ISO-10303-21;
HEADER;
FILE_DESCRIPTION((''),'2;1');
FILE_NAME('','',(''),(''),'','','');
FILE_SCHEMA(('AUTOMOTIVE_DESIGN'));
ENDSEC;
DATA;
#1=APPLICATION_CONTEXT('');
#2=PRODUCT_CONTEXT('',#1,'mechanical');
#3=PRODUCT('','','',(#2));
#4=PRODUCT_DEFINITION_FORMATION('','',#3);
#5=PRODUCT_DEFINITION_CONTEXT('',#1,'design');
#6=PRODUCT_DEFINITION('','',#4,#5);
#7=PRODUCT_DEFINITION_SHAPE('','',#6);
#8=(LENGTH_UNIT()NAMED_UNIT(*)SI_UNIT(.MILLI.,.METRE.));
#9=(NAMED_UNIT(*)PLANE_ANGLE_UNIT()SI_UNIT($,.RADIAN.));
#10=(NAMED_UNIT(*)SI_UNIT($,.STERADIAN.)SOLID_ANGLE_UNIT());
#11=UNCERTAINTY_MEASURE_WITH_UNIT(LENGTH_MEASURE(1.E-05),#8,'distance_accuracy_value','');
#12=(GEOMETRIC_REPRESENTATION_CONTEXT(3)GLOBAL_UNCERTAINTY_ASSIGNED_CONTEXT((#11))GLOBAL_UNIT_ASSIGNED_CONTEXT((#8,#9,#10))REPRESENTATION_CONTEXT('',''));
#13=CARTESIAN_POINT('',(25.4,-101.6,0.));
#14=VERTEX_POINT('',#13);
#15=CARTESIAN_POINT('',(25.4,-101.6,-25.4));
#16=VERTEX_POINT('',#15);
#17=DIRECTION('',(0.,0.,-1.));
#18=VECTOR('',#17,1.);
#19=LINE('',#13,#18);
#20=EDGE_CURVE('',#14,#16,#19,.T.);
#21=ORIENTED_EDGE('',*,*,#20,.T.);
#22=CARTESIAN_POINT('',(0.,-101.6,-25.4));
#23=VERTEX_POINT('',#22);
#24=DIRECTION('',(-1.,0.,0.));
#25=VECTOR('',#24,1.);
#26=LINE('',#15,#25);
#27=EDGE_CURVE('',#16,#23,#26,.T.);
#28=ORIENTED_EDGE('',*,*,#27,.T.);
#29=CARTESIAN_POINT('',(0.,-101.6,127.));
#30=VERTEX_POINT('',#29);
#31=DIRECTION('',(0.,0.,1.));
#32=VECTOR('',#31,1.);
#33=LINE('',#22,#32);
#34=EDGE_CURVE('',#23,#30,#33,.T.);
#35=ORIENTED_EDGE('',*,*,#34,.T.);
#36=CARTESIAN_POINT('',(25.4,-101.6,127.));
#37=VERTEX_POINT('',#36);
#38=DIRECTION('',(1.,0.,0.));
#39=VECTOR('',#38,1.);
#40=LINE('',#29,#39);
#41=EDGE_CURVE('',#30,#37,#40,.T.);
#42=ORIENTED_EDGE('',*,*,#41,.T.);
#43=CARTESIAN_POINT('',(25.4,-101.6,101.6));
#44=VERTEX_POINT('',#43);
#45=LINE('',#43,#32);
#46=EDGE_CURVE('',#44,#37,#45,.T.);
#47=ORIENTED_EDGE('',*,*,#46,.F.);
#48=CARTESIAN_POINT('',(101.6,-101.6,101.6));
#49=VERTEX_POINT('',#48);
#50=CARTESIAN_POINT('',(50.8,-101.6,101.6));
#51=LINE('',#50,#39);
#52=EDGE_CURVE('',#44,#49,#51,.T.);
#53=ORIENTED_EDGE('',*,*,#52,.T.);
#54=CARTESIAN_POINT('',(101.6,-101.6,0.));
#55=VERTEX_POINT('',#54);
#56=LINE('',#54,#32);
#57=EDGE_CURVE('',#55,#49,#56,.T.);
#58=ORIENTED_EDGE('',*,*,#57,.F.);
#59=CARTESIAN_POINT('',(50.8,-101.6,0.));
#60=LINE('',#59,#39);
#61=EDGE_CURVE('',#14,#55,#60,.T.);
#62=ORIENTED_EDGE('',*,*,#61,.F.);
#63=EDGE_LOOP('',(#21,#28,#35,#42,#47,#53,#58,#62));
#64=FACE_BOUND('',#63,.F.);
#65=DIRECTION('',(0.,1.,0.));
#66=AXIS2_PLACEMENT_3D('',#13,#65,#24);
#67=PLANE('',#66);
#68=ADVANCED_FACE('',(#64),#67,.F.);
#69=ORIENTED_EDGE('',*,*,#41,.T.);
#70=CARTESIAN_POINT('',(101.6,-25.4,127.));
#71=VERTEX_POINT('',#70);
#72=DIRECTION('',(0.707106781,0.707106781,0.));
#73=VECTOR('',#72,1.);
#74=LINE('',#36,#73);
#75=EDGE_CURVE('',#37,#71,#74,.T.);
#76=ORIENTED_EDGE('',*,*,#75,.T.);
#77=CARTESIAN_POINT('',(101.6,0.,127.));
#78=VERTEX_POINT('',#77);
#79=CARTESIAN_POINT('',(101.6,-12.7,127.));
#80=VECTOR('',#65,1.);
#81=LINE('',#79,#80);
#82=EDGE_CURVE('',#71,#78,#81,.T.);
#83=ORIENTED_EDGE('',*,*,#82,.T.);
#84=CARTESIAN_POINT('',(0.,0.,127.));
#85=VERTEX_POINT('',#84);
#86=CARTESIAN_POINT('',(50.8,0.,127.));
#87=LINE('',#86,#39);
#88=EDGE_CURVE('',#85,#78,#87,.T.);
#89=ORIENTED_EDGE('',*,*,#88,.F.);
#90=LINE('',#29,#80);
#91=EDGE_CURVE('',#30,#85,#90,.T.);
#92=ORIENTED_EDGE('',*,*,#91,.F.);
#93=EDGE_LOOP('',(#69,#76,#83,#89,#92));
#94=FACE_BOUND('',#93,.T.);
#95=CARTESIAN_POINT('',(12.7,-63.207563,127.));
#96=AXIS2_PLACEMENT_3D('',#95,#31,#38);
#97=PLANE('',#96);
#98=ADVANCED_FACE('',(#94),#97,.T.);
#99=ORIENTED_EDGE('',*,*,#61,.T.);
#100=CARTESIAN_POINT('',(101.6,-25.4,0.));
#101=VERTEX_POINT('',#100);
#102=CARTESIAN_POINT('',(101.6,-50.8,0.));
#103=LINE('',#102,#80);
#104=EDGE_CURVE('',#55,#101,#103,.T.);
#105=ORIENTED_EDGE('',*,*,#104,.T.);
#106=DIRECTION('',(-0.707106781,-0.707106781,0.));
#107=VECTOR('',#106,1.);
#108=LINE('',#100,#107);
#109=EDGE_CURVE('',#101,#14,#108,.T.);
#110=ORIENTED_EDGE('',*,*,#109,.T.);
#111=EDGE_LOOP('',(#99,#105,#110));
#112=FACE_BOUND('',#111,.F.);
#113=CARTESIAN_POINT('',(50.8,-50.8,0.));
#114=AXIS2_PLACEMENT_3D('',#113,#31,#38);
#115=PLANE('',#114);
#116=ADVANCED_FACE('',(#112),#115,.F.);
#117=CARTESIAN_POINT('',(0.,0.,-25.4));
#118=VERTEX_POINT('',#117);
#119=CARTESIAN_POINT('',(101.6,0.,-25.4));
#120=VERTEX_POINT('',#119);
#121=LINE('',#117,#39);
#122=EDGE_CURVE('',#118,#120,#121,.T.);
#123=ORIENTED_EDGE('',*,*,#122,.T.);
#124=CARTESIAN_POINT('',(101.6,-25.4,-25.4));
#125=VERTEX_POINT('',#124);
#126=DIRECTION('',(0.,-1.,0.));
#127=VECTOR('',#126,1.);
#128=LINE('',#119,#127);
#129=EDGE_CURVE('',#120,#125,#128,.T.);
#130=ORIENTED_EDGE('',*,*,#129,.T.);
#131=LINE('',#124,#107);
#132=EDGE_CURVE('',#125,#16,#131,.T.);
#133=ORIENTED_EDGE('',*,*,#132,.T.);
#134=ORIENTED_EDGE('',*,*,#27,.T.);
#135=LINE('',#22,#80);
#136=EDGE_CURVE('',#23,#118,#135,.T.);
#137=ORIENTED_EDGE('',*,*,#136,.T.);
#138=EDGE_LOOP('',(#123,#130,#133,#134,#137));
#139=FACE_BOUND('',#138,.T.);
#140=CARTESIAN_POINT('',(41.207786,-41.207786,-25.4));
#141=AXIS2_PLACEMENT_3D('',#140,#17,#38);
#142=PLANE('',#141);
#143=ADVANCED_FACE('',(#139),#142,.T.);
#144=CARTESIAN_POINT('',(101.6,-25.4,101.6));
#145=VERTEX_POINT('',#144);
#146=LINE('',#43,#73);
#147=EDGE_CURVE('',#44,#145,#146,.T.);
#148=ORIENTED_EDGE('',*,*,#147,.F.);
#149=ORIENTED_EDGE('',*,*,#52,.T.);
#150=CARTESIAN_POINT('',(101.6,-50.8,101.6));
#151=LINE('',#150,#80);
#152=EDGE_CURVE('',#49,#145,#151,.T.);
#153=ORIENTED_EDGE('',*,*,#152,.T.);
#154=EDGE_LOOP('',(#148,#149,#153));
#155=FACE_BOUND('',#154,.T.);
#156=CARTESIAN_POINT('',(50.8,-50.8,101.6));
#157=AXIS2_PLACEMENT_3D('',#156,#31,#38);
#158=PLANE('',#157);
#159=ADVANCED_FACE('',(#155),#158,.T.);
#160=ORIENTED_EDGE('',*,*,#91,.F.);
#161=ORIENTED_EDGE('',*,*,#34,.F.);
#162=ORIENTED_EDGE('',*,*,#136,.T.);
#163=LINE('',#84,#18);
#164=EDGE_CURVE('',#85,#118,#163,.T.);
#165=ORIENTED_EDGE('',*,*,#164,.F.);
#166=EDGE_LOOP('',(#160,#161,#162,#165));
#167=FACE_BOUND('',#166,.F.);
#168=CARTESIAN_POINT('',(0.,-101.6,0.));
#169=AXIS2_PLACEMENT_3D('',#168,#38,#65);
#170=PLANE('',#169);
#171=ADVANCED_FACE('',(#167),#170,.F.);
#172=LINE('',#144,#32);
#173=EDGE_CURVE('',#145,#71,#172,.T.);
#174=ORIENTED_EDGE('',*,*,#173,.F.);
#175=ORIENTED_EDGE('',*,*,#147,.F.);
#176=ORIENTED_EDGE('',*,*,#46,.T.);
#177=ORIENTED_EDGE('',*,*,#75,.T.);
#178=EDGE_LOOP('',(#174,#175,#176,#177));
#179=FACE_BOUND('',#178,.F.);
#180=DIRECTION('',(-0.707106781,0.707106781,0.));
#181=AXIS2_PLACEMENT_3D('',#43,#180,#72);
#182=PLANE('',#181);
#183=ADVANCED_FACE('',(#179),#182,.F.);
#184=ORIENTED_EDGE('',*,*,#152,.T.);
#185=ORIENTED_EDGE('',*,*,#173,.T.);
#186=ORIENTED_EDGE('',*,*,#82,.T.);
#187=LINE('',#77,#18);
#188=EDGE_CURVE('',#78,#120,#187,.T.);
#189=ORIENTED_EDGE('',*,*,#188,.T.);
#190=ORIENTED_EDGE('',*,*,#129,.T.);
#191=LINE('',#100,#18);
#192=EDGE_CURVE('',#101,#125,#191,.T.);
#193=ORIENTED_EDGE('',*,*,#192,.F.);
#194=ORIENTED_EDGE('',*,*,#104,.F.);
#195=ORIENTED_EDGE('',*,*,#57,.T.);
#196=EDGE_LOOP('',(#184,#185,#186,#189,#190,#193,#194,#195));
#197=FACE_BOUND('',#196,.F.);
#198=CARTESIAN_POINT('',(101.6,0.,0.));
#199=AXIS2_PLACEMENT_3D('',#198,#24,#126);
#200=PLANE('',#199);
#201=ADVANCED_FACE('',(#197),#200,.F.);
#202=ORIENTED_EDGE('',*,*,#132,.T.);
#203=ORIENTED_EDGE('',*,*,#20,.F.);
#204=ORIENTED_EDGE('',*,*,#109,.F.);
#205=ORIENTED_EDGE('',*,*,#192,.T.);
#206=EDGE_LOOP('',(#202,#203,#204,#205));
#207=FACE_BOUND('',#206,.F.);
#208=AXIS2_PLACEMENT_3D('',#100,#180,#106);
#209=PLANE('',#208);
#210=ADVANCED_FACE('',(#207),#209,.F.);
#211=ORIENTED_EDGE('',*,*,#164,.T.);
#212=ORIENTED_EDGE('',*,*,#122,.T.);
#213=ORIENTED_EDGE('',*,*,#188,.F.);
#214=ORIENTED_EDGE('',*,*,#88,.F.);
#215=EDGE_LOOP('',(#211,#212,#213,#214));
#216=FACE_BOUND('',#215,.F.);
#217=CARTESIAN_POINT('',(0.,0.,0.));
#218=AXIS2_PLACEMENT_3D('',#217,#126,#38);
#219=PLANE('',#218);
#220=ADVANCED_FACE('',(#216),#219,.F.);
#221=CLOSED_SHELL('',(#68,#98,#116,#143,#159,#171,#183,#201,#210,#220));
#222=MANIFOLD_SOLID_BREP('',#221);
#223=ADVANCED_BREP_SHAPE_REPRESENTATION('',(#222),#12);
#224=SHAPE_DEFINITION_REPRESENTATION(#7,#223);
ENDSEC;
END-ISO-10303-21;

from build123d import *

# Parameters (mm, degrees)
F0_W      = 101.6
F0_H      = 101.6
F1_DEPTH  = 101.6
F3_W      = 101.6
F3_H      = 25.4
F4_DEPTH  = 25.4
F5_W      = 25.4
F5_H      = 76.2
F6_DEPTH  = 25.4
F8_DEPTH  = 25.4
F10_DEPTH = 25.4


with BuildPart() as f1:
    # F0 (on Top) → F1 (new body)
    with BuildSketch(Plane.XY):
        with Locations((50.8, -50.8)):
            Rectangle(F0_W, F0_H)
    extrude(amount=F1_DEPTH)

    # F3 (on face) → F4 (join)
    with BuildSketch(Plane.XY.offset(101.6)):
        with Locations((50.8, -12.7)):
            Rectangle(F3_W, F3_H)
    extrude(amount=F4_DEPTH)

    # F5 (on face) → F6 (join)
    with BuildSketch(Plane.XY.offset(101.6)):
        with Locations((12.7, -63.207563)):
            Rectangle(F5_W, F5_H)
    extrude(amount=F6_DEPTH)

    # F7 (on face) → F8 (join)
    with BuildSketch(Plane.XY.offset(101.6)):
        Polygon((101.6, 0), (0, 0), (0, -101.6), (25.4, -101.6), (25.4, -25.4), (101.6, -25.4), align=None)
        Polygon((25.4, -101.6), (101.6, -25.4), (25.4, -25.4), align=None)
    extrude(amount=F8_DEPTH)

    # F9 (on face) → F10 (join)
    with BuildSketch(Plane(origin=(0, 0, 0), x_dir=(1, 0, 0), z_dir=(0, 0, -1))):
        Polygon((0, 101.6), (0, 0), (101.6, 0), (101.6, 25.4), (25.4, 101.6), align=None)
    extrude(amount=F10_DEPTH)


solid = f1.part
